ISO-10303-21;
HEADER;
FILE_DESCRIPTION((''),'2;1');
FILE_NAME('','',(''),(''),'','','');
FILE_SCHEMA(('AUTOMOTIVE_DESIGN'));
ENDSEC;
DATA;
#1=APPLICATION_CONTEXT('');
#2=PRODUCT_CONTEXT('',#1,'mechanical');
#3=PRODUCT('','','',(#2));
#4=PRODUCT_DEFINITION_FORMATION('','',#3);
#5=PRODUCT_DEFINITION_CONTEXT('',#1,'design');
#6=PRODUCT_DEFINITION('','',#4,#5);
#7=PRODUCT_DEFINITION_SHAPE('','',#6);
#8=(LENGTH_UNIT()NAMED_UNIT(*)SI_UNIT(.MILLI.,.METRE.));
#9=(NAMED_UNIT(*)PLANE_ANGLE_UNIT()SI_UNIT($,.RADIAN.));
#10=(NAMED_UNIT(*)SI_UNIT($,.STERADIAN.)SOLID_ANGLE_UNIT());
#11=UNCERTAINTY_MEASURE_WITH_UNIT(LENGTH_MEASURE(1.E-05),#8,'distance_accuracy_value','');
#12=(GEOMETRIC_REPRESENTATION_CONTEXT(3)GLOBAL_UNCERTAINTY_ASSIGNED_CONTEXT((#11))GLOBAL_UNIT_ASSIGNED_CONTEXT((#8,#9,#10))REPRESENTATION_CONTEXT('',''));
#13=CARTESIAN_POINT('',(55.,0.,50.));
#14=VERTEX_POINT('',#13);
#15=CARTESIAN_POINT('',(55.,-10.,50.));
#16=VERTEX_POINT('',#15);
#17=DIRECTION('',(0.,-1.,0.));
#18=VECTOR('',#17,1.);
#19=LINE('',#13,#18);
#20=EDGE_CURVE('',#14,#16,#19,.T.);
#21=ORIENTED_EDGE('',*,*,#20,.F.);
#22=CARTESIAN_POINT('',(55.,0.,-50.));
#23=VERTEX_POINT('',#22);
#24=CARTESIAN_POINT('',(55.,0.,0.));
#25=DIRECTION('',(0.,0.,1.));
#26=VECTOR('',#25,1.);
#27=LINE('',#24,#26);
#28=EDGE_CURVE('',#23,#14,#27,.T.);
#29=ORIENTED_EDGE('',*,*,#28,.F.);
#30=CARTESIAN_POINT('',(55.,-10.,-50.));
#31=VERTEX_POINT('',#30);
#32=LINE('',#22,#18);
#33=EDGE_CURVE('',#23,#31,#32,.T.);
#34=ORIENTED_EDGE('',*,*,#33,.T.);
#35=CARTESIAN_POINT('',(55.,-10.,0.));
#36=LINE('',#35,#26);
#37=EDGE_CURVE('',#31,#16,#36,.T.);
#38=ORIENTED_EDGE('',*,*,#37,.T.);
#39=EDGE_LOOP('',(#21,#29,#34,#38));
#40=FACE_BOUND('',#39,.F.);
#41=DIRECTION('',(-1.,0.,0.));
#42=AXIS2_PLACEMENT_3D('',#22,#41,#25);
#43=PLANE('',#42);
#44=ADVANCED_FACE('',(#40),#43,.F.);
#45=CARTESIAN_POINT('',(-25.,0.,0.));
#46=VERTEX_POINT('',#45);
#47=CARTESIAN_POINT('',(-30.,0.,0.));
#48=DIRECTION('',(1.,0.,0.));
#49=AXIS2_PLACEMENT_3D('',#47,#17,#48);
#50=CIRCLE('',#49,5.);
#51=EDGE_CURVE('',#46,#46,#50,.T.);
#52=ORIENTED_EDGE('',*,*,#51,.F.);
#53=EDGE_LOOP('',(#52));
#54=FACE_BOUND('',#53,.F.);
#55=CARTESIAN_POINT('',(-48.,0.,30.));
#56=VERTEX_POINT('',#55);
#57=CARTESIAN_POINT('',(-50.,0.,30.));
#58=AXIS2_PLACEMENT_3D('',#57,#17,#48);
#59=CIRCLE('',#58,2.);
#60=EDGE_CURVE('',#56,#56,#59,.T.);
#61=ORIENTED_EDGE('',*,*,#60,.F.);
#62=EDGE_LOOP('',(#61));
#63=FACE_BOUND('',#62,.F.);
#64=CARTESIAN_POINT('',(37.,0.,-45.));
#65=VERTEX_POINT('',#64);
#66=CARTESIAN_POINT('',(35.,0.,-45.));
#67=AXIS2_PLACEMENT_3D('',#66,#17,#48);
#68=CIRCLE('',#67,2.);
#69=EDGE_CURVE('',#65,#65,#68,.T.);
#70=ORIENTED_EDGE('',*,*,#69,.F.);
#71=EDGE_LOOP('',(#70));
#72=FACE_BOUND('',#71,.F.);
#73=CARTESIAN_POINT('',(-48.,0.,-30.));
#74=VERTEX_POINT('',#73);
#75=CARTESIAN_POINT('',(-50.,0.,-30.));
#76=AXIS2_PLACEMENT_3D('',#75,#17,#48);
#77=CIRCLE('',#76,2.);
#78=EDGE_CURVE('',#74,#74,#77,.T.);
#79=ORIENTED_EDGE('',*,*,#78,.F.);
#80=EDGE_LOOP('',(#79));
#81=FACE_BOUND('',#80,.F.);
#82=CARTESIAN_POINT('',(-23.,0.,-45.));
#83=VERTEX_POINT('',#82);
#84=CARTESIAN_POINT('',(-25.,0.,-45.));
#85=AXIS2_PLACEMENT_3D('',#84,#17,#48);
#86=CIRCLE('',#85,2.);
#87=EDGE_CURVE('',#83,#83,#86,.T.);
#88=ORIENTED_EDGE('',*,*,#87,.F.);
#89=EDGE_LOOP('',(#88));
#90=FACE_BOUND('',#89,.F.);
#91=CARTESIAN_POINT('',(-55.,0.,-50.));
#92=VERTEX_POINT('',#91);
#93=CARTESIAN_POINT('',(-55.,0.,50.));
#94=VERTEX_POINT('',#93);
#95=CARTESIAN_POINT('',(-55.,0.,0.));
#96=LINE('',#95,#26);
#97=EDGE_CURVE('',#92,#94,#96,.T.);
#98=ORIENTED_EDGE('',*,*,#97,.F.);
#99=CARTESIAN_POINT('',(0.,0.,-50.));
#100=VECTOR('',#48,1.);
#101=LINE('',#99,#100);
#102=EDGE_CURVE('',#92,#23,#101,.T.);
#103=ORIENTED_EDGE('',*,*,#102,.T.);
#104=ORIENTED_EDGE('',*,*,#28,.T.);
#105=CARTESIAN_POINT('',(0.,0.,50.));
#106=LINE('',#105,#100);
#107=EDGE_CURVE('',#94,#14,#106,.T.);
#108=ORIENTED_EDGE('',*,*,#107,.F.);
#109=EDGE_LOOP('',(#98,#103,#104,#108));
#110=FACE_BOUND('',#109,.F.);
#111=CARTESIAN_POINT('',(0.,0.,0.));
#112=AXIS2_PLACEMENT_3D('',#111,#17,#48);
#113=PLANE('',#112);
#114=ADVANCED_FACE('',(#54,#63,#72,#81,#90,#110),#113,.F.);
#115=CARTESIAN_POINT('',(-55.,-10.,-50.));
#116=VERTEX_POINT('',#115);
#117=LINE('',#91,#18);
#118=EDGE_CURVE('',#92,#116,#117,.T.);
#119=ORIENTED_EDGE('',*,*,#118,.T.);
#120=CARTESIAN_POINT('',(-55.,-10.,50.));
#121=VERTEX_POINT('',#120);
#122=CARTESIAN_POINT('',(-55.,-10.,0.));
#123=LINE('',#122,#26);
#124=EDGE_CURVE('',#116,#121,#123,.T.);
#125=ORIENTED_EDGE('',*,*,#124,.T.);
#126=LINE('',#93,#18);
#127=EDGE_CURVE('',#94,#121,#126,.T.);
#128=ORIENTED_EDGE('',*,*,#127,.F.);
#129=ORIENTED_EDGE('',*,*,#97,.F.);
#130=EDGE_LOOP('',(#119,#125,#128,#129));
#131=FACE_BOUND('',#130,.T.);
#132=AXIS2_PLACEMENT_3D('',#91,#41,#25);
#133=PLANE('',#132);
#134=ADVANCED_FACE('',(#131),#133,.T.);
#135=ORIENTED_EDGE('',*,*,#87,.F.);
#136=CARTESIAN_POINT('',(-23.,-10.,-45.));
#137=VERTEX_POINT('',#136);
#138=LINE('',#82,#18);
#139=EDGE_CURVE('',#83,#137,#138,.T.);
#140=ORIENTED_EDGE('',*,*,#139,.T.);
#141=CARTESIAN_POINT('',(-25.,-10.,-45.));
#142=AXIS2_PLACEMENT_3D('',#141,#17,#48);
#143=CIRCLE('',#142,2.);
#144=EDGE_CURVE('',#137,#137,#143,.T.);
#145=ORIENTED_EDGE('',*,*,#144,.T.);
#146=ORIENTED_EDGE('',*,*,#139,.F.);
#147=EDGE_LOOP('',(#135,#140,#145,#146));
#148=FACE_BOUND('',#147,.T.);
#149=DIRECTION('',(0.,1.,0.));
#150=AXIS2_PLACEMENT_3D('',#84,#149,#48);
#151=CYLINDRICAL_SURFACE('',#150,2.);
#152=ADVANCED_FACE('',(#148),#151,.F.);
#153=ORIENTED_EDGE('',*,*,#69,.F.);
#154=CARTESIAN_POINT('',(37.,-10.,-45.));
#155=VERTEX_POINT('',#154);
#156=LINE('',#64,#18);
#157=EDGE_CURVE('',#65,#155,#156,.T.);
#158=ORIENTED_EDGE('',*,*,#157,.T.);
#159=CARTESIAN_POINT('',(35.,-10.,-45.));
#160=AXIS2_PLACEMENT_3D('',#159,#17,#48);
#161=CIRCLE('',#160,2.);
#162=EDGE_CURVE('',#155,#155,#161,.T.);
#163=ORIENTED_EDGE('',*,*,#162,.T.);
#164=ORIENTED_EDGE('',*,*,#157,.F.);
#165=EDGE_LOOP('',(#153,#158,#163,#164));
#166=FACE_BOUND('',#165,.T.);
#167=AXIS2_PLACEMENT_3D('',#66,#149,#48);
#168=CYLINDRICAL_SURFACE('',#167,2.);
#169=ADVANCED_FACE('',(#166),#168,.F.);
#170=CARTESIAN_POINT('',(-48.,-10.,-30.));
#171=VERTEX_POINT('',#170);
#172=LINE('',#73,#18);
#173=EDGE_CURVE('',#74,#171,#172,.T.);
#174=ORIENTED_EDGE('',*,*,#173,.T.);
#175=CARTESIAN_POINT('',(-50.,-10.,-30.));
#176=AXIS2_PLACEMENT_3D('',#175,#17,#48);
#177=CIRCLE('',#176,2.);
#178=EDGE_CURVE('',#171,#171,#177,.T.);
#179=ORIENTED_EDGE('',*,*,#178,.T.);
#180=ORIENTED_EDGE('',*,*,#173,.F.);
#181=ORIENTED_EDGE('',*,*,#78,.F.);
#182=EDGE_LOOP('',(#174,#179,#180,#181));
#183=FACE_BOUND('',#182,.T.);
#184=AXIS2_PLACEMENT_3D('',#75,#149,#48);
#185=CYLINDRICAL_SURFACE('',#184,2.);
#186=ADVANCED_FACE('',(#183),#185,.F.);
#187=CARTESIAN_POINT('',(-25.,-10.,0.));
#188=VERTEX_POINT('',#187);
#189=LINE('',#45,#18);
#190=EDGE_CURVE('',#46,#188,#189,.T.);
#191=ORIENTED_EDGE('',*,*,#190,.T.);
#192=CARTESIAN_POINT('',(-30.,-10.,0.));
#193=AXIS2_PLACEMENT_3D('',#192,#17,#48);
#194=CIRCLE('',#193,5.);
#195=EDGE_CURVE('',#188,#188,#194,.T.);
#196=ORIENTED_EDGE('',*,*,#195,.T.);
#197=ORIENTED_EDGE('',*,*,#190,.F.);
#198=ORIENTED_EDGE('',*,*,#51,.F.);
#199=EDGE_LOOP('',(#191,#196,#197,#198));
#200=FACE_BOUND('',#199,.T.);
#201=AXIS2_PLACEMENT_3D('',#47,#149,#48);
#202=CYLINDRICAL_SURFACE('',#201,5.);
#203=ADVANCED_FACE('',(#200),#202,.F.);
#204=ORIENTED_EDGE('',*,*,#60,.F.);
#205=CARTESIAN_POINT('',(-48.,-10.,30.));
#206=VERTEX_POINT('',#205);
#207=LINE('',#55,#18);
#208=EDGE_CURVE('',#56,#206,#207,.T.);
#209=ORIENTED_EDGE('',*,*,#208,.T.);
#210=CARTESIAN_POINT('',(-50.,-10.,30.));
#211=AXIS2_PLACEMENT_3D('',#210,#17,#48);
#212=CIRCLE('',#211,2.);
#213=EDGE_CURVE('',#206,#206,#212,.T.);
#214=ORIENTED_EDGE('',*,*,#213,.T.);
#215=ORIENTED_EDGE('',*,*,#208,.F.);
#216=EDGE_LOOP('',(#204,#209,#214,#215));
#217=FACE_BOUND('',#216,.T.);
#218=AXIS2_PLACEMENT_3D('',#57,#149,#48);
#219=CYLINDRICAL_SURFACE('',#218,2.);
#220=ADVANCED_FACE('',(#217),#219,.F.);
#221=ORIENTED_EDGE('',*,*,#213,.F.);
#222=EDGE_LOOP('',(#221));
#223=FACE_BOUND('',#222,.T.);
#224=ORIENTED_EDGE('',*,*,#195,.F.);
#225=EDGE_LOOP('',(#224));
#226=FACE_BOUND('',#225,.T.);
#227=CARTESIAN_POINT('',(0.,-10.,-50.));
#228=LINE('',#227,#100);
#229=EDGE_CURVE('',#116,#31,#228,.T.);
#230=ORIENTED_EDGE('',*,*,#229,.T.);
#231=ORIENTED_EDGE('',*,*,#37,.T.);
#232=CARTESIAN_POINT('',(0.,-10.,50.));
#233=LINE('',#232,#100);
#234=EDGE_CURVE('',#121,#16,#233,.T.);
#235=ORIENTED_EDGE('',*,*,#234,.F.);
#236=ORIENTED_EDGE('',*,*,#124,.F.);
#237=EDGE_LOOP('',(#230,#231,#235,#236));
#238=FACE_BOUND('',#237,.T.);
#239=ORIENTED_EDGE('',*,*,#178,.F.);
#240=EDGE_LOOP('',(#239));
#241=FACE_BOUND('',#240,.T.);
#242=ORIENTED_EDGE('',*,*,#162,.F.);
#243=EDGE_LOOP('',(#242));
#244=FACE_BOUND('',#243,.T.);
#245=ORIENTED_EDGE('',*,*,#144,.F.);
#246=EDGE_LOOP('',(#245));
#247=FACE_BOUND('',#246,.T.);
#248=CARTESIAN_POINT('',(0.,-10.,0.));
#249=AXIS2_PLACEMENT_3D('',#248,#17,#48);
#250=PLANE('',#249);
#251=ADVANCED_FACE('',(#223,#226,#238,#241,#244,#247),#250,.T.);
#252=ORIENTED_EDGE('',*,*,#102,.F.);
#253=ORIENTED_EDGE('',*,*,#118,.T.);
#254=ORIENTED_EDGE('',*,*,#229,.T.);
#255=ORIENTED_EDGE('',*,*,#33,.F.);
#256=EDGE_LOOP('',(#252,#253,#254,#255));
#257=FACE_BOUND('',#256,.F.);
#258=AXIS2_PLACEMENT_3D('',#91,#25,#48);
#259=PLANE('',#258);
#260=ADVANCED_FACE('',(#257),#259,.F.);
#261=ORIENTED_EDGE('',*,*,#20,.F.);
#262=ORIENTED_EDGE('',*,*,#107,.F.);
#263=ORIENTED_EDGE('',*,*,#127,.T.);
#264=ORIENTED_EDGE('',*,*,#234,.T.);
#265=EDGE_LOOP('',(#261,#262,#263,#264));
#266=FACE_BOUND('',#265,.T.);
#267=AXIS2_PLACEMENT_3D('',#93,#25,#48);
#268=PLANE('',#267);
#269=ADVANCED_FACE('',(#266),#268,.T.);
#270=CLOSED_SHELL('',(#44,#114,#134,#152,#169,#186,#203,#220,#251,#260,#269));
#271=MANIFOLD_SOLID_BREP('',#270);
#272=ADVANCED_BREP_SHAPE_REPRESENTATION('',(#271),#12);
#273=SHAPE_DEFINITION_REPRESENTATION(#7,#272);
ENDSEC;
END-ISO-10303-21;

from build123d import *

# Parameters (mm, degrees)
F0_W     = 110
F0_H     = 100
F0_R     = 2
F0_R_2   = 5
F1_DEPTH = 10


with BuildPart() as f1:
    # F0 (on Front) → F1 (new body)
    with BuildSketch(Plane.XZ):
        Rectangle(F0_W, F0_H)
        with Locations((-50, -30)):
            Circle(F0_R, mode=Mode.SUBTRACT)
        with Locations((-25, -45)):
            Circle(F0_R, mode=Mode.SUBTRACT)
        with Locations((35, -45)):
            Circle(F0_R, mode=Mode.SUBTRACT)
        with Locations((-30, 0)):
            Circle(F0_R_2, mode=Mode.SUBTRACT)
        with Locations((-50, 30)):
            Circle(F0_R, mode=Mode.SUBTRACT)
    extrude(amount=F1_DEPTH)


solid = f1.part
